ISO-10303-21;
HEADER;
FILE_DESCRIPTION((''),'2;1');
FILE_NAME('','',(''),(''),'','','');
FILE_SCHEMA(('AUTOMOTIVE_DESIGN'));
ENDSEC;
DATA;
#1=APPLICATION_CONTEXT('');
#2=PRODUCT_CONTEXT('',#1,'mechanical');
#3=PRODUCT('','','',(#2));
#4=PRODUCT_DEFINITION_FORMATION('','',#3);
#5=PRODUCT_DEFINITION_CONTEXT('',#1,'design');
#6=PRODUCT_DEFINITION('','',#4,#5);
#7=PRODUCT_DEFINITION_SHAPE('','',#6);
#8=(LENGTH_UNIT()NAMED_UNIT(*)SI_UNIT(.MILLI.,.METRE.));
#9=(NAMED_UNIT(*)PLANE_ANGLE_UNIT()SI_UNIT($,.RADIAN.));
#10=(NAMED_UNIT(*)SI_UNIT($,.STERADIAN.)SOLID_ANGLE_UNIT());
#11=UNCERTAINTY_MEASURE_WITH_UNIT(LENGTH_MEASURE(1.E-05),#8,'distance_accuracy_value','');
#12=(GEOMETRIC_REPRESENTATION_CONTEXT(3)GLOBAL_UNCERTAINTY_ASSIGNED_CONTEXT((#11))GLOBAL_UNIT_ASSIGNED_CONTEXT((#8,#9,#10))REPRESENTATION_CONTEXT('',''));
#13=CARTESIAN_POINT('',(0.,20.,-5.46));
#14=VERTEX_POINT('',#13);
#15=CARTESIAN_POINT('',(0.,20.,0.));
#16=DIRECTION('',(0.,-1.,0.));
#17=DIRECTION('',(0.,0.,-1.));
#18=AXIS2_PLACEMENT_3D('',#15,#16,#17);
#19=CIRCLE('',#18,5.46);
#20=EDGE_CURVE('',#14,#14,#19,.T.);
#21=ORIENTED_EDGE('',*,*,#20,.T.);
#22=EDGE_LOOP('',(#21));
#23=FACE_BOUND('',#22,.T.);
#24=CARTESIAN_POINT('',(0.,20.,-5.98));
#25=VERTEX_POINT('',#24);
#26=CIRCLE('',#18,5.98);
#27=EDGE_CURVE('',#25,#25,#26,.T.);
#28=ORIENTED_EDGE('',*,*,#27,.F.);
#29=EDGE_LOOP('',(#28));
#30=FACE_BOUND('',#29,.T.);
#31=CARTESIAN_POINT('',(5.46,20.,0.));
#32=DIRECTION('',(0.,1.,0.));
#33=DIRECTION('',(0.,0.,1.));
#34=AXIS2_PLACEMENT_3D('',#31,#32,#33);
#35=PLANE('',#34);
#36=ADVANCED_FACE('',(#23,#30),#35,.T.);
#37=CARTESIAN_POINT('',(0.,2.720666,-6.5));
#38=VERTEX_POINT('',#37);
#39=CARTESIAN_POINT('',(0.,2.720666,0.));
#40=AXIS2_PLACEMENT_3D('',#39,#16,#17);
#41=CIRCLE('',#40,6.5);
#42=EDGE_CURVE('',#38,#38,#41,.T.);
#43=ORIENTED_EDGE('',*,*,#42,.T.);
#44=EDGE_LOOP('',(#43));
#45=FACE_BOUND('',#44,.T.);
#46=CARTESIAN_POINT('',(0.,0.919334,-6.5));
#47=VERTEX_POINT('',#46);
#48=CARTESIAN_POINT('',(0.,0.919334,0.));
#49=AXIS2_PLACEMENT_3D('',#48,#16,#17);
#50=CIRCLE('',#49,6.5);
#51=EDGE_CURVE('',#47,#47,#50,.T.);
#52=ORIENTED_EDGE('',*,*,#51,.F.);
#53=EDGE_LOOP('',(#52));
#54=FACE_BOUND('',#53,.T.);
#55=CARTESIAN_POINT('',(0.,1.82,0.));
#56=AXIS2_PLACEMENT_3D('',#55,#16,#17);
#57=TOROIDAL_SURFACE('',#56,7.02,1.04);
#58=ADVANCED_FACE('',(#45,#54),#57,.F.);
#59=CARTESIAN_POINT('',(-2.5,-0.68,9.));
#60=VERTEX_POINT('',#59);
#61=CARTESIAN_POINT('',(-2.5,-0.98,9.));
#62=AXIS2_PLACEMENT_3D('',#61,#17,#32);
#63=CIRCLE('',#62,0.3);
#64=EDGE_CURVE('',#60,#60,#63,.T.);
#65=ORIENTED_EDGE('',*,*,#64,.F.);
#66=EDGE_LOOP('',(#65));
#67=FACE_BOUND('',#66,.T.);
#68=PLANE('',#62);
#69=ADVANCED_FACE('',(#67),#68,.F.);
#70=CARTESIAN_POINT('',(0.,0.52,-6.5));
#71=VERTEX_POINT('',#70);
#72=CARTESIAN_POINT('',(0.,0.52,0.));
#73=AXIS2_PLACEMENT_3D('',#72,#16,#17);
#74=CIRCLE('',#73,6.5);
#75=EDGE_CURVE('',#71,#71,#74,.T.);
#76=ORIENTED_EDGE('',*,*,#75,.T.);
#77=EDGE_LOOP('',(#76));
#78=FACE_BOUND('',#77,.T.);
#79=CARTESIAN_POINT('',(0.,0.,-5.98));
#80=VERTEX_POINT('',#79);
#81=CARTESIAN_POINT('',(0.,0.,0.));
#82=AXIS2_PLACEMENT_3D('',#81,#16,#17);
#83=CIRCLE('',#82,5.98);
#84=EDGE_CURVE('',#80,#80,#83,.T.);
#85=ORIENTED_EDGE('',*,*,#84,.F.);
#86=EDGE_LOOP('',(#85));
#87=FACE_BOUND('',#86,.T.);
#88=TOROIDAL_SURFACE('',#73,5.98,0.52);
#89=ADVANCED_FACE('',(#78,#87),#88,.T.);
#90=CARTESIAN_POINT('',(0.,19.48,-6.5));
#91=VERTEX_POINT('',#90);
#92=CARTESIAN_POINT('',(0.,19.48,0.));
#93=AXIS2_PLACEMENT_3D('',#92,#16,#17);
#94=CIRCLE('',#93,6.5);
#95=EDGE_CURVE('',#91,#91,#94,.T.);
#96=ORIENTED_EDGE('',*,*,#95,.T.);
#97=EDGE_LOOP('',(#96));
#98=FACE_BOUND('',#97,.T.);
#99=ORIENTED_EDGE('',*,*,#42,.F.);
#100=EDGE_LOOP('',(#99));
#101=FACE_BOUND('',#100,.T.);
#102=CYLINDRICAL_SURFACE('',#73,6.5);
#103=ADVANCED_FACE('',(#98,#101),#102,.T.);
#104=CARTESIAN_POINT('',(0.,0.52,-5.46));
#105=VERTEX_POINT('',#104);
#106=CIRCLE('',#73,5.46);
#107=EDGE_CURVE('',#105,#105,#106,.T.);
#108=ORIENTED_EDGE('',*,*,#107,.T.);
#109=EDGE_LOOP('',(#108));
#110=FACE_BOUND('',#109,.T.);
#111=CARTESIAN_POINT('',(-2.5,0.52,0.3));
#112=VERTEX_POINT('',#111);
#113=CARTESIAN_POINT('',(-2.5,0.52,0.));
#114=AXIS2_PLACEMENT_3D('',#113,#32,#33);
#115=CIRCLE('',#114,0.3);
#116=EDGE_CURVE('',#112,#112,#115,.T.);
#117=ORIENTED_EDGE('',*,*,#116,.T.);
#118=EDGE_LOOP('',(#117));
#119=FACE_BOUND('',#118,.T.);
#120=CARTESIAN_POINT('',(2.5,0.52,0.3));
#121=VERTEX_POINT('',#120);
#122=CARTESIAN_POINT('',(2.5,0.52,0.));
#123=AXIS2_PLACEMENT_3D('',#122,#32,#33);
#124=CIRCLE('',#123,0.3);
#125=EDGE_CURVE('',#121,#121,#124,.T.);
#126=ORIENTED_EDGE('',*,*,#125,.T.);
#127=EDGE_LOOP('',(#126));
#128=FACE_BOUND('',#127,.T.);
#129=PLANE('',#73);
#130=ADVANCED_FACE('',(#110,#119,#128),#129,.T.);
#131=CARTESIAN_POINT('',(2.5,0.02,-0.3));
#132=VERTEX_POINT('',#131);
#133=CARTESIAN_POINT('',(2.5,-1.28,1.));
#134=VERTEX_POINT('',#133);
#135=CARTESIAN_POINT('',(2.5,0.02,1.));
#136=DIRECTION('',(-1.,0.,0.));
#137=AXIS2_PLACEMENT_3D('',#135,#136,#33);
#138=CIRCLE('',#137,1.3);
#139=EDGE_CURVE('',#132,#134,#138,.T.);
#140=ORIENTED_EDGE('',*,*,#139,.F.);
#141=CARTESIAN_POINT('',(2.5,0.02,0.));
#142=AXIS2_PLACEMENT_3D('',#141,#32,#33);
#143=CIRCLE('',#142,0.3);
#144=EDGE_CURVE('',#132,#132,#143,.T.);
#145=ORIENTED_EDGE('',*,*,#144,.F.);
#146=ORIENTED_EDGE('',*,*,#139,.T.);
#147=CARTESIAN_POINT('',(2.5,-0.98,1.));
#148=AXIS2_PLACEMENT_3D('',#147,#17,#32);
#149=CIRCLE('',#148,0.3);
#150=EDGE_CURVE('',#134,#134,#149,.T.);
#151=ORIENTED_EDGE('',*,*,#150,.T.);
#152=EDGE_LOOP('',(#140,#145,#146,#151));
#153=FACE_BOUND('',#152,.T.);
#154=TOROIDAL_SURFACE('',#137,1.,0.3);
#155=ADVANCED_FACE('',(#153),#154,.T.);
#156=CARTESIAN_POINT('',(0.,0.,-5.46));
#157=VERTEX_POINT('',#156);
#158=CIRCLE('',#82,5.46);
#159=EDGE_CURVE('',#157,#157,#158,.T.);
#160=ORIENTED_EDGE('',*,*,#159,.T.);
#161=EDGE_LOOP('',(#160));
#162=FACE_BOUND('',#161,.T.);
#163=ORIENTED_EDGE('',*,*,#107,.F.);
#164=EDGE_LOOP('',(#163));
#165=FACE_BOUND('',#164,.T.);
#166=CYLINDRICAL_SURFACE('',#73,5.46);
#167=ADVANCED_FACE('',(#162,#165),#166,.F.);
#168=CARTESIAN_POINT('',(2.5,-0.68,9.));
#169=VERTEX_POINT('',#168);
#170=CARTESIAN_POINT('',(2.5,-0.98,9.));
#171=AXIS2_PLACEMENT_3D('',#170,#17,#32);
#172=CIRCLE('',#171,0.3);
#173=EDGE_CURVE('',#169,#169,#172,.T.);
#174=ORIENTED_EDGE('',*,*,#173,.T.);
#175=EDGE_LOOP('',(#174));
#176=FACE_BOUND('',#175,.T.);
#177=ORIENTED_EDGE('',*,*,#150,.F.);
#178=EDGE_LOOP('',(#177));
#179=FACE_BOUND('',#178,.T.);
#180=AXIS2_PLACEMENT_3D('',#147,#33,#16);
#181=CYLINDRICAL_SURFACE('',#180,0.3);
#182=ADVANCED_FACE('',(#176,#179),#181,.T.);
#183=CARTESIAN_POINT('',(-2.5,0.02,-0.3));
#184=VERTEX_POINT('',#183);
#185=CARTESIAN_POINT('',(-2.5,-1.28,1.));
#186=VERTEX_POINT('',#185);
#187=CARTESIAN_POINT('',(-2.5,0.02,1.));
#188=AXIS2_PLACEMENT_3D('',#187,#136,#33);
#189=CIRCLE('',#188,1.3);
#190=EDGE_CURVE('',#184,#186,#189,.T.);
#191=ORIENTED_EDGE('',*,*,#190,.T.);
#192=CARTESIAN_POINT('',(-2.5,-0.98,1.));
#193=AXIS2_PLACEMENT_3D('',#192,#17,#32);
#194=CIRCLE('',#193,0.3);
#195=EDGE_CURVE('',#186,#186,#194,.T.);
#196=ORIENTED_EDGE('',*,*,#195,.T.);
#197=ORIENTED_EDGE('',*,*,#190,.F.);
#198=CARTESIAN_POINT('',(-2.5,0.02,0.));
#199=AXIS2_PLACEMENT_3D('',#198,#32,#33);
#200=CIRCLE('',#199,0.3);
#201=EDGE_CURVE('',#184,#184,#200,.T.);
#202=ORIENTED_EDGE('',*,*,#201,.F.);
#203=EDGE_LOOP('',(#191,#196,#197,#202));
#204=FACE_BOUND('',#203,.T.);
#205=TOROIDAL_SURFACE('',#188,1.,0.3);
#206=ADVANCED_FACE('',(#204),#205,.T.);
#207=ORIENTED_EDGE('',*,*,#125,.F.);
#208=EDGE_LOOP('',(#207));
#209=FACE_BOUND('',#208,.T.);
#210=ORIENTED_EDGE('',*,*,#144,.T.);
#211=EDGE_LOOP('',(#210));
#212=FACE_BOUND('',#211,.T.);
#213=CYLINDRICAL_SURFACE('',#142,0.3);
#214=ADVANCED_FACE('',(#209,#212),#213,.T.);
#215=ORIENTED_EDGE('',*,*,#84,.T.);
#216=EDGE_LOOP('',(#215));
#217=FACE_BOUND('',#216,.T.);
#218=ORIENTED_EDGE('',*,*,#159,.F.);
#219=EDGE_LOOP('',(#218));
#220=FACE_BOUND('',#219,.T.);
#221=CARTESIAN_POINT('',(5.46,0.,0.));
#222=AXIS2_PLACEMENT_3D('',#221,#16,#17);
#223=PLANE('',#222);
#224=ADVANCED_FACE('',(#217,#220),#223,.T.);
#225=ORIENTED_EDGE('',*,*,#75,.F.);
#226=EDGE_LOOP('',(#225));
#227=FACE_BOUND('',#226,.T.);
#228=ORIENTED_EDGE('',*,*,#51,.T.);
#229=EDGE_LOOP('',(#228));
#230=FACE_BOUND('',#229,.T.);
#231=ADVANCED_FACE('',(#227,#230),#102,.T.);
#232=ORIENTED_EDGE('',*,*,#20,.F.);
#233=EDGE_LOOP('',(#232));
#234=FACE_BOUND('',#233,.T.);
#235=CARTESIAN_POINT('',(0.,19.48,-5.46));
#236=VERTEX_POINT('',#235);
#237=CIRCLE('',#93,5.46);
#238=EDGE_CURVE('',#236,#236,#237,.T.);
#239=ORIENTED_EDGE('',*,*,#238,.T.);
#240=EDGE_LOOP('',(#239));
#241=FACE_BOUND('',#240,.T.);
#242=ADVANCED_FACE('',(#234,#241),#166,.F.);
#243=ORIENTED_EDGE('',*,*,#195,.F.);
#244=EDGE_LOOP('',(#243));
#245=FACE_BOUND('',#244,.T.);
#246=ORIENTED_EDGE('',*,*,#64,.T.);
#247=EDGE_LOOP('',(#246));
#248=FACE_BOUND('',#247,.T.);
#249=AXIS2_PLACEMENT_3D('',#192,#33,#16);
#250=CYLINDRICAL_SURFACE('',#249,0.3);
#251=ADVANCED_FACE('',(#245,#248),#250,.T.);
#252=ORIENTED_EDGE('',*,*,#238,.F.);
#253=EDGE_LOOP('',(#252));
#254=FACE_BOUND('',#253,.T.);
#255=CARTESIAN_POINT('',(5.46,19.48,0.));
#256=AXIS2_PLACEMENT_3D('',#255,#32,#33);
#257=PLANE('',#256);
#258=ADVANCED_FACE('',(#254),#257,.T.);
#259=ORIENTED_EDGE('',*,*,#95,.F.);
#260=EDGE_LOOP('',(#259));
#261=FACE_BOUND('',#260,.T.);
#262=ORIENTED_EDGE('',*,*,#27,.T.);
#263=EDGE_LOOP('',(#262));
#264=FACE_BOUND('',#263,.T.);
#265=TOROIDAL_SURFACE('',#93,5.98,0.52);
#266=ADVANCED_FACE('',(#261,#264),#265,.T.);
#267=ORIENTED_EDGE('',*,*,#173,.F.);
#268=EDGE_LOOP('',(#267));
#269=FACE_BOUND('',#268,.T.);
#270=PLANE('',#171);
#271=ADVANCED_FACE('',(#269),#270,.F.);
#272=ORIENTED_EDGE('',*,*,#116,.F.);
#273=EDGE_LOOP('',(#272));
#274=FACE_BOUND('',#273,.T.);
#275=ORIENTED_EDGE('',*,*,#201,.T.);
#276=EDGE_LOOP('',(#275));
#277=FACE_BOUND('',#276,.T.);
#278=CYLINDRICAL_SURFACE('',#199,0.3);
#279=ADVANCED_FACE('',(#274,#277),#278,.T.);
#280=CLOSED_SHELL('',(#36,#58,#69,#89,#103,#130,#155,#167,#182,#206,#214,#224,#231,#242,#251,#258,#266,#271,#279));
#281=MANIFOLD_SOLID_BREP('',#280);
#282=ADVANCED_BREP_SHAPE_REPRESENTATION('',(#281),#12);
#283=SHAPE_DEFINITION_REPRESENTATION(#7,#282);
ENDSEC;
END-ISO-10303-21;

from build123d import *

# Parameters (mm, degrees)
SKETCH16_R = 0.3


with BuildPart() as part:
    # Sketch1 → Body (revolve)
    with BuildSketch(Plane.XY, mode=Mode.PRIVATE) as body_sk:
        with BuildLine():
            Line((6.5, 2.72066642), (6.5, 19.48))
            ThreePointArc((6.5, 19.48), (6.347695526, 19.847695526), (5.98, 20))
            Line((5.98, 20), (5.46, 20))
            Line((5.46, 20), (5.46, 19.48))
            Line((5.46, 19.48), (0, 19.48))
            Line((0, 19.48), (0, 0.52))
            Line((0, 0.52), (5.46, 0.52))
            Line((5.46, 0.52), (5.46, 0))
            Line((5.46, 0), (5.98, 0))
            ThreePointArc((5.98, 0), (6.347695526, 0.152304474), (6.5, 0.52))
            Line((6.5, 0.52), (6.5, 0.91933358))
            ThreePointArc((6.5, 0.91933358), (5.98, 1.82), (6.5, 2.72066642))
        make_face()
    revolve(body_sk.sketch.rotate(Axis((0, 0.52, 0), (0, 1, 0)), 90), axis=Axis((0, 0.52, 0), (0, 1, 0)))

    # По траектории1: sweep along a path in Эскиз1
    with BuildLine(Plane(origin=(0, 0, 0), x_dir=(0, 0, -1), z_dir=(1, 0, 0))) as sweep_1_path:
        Line((0, 0.52), (0, 0.02))
        ThreePointArc((0, 0.02), (-0.292893219, -0.687106781), (-1, -0.98))
        Line((-1, -0.98), (-9, -0.98))
    # Sketch16 → По траектории1 (sweep)
    with BuildSketch(Plane(origin=(0, 0.52, 0), x_dir=(1, 0, 0), z_dir=(0, 1, 0))):
        with Locations((-2.5, 0)):
            Circle(SKETCH16_R)
        with Locations((2.5, 0)):
            Circle(SKETCH16_R)
    sweep(path=sweep_1_path.line)


solid = part.part
